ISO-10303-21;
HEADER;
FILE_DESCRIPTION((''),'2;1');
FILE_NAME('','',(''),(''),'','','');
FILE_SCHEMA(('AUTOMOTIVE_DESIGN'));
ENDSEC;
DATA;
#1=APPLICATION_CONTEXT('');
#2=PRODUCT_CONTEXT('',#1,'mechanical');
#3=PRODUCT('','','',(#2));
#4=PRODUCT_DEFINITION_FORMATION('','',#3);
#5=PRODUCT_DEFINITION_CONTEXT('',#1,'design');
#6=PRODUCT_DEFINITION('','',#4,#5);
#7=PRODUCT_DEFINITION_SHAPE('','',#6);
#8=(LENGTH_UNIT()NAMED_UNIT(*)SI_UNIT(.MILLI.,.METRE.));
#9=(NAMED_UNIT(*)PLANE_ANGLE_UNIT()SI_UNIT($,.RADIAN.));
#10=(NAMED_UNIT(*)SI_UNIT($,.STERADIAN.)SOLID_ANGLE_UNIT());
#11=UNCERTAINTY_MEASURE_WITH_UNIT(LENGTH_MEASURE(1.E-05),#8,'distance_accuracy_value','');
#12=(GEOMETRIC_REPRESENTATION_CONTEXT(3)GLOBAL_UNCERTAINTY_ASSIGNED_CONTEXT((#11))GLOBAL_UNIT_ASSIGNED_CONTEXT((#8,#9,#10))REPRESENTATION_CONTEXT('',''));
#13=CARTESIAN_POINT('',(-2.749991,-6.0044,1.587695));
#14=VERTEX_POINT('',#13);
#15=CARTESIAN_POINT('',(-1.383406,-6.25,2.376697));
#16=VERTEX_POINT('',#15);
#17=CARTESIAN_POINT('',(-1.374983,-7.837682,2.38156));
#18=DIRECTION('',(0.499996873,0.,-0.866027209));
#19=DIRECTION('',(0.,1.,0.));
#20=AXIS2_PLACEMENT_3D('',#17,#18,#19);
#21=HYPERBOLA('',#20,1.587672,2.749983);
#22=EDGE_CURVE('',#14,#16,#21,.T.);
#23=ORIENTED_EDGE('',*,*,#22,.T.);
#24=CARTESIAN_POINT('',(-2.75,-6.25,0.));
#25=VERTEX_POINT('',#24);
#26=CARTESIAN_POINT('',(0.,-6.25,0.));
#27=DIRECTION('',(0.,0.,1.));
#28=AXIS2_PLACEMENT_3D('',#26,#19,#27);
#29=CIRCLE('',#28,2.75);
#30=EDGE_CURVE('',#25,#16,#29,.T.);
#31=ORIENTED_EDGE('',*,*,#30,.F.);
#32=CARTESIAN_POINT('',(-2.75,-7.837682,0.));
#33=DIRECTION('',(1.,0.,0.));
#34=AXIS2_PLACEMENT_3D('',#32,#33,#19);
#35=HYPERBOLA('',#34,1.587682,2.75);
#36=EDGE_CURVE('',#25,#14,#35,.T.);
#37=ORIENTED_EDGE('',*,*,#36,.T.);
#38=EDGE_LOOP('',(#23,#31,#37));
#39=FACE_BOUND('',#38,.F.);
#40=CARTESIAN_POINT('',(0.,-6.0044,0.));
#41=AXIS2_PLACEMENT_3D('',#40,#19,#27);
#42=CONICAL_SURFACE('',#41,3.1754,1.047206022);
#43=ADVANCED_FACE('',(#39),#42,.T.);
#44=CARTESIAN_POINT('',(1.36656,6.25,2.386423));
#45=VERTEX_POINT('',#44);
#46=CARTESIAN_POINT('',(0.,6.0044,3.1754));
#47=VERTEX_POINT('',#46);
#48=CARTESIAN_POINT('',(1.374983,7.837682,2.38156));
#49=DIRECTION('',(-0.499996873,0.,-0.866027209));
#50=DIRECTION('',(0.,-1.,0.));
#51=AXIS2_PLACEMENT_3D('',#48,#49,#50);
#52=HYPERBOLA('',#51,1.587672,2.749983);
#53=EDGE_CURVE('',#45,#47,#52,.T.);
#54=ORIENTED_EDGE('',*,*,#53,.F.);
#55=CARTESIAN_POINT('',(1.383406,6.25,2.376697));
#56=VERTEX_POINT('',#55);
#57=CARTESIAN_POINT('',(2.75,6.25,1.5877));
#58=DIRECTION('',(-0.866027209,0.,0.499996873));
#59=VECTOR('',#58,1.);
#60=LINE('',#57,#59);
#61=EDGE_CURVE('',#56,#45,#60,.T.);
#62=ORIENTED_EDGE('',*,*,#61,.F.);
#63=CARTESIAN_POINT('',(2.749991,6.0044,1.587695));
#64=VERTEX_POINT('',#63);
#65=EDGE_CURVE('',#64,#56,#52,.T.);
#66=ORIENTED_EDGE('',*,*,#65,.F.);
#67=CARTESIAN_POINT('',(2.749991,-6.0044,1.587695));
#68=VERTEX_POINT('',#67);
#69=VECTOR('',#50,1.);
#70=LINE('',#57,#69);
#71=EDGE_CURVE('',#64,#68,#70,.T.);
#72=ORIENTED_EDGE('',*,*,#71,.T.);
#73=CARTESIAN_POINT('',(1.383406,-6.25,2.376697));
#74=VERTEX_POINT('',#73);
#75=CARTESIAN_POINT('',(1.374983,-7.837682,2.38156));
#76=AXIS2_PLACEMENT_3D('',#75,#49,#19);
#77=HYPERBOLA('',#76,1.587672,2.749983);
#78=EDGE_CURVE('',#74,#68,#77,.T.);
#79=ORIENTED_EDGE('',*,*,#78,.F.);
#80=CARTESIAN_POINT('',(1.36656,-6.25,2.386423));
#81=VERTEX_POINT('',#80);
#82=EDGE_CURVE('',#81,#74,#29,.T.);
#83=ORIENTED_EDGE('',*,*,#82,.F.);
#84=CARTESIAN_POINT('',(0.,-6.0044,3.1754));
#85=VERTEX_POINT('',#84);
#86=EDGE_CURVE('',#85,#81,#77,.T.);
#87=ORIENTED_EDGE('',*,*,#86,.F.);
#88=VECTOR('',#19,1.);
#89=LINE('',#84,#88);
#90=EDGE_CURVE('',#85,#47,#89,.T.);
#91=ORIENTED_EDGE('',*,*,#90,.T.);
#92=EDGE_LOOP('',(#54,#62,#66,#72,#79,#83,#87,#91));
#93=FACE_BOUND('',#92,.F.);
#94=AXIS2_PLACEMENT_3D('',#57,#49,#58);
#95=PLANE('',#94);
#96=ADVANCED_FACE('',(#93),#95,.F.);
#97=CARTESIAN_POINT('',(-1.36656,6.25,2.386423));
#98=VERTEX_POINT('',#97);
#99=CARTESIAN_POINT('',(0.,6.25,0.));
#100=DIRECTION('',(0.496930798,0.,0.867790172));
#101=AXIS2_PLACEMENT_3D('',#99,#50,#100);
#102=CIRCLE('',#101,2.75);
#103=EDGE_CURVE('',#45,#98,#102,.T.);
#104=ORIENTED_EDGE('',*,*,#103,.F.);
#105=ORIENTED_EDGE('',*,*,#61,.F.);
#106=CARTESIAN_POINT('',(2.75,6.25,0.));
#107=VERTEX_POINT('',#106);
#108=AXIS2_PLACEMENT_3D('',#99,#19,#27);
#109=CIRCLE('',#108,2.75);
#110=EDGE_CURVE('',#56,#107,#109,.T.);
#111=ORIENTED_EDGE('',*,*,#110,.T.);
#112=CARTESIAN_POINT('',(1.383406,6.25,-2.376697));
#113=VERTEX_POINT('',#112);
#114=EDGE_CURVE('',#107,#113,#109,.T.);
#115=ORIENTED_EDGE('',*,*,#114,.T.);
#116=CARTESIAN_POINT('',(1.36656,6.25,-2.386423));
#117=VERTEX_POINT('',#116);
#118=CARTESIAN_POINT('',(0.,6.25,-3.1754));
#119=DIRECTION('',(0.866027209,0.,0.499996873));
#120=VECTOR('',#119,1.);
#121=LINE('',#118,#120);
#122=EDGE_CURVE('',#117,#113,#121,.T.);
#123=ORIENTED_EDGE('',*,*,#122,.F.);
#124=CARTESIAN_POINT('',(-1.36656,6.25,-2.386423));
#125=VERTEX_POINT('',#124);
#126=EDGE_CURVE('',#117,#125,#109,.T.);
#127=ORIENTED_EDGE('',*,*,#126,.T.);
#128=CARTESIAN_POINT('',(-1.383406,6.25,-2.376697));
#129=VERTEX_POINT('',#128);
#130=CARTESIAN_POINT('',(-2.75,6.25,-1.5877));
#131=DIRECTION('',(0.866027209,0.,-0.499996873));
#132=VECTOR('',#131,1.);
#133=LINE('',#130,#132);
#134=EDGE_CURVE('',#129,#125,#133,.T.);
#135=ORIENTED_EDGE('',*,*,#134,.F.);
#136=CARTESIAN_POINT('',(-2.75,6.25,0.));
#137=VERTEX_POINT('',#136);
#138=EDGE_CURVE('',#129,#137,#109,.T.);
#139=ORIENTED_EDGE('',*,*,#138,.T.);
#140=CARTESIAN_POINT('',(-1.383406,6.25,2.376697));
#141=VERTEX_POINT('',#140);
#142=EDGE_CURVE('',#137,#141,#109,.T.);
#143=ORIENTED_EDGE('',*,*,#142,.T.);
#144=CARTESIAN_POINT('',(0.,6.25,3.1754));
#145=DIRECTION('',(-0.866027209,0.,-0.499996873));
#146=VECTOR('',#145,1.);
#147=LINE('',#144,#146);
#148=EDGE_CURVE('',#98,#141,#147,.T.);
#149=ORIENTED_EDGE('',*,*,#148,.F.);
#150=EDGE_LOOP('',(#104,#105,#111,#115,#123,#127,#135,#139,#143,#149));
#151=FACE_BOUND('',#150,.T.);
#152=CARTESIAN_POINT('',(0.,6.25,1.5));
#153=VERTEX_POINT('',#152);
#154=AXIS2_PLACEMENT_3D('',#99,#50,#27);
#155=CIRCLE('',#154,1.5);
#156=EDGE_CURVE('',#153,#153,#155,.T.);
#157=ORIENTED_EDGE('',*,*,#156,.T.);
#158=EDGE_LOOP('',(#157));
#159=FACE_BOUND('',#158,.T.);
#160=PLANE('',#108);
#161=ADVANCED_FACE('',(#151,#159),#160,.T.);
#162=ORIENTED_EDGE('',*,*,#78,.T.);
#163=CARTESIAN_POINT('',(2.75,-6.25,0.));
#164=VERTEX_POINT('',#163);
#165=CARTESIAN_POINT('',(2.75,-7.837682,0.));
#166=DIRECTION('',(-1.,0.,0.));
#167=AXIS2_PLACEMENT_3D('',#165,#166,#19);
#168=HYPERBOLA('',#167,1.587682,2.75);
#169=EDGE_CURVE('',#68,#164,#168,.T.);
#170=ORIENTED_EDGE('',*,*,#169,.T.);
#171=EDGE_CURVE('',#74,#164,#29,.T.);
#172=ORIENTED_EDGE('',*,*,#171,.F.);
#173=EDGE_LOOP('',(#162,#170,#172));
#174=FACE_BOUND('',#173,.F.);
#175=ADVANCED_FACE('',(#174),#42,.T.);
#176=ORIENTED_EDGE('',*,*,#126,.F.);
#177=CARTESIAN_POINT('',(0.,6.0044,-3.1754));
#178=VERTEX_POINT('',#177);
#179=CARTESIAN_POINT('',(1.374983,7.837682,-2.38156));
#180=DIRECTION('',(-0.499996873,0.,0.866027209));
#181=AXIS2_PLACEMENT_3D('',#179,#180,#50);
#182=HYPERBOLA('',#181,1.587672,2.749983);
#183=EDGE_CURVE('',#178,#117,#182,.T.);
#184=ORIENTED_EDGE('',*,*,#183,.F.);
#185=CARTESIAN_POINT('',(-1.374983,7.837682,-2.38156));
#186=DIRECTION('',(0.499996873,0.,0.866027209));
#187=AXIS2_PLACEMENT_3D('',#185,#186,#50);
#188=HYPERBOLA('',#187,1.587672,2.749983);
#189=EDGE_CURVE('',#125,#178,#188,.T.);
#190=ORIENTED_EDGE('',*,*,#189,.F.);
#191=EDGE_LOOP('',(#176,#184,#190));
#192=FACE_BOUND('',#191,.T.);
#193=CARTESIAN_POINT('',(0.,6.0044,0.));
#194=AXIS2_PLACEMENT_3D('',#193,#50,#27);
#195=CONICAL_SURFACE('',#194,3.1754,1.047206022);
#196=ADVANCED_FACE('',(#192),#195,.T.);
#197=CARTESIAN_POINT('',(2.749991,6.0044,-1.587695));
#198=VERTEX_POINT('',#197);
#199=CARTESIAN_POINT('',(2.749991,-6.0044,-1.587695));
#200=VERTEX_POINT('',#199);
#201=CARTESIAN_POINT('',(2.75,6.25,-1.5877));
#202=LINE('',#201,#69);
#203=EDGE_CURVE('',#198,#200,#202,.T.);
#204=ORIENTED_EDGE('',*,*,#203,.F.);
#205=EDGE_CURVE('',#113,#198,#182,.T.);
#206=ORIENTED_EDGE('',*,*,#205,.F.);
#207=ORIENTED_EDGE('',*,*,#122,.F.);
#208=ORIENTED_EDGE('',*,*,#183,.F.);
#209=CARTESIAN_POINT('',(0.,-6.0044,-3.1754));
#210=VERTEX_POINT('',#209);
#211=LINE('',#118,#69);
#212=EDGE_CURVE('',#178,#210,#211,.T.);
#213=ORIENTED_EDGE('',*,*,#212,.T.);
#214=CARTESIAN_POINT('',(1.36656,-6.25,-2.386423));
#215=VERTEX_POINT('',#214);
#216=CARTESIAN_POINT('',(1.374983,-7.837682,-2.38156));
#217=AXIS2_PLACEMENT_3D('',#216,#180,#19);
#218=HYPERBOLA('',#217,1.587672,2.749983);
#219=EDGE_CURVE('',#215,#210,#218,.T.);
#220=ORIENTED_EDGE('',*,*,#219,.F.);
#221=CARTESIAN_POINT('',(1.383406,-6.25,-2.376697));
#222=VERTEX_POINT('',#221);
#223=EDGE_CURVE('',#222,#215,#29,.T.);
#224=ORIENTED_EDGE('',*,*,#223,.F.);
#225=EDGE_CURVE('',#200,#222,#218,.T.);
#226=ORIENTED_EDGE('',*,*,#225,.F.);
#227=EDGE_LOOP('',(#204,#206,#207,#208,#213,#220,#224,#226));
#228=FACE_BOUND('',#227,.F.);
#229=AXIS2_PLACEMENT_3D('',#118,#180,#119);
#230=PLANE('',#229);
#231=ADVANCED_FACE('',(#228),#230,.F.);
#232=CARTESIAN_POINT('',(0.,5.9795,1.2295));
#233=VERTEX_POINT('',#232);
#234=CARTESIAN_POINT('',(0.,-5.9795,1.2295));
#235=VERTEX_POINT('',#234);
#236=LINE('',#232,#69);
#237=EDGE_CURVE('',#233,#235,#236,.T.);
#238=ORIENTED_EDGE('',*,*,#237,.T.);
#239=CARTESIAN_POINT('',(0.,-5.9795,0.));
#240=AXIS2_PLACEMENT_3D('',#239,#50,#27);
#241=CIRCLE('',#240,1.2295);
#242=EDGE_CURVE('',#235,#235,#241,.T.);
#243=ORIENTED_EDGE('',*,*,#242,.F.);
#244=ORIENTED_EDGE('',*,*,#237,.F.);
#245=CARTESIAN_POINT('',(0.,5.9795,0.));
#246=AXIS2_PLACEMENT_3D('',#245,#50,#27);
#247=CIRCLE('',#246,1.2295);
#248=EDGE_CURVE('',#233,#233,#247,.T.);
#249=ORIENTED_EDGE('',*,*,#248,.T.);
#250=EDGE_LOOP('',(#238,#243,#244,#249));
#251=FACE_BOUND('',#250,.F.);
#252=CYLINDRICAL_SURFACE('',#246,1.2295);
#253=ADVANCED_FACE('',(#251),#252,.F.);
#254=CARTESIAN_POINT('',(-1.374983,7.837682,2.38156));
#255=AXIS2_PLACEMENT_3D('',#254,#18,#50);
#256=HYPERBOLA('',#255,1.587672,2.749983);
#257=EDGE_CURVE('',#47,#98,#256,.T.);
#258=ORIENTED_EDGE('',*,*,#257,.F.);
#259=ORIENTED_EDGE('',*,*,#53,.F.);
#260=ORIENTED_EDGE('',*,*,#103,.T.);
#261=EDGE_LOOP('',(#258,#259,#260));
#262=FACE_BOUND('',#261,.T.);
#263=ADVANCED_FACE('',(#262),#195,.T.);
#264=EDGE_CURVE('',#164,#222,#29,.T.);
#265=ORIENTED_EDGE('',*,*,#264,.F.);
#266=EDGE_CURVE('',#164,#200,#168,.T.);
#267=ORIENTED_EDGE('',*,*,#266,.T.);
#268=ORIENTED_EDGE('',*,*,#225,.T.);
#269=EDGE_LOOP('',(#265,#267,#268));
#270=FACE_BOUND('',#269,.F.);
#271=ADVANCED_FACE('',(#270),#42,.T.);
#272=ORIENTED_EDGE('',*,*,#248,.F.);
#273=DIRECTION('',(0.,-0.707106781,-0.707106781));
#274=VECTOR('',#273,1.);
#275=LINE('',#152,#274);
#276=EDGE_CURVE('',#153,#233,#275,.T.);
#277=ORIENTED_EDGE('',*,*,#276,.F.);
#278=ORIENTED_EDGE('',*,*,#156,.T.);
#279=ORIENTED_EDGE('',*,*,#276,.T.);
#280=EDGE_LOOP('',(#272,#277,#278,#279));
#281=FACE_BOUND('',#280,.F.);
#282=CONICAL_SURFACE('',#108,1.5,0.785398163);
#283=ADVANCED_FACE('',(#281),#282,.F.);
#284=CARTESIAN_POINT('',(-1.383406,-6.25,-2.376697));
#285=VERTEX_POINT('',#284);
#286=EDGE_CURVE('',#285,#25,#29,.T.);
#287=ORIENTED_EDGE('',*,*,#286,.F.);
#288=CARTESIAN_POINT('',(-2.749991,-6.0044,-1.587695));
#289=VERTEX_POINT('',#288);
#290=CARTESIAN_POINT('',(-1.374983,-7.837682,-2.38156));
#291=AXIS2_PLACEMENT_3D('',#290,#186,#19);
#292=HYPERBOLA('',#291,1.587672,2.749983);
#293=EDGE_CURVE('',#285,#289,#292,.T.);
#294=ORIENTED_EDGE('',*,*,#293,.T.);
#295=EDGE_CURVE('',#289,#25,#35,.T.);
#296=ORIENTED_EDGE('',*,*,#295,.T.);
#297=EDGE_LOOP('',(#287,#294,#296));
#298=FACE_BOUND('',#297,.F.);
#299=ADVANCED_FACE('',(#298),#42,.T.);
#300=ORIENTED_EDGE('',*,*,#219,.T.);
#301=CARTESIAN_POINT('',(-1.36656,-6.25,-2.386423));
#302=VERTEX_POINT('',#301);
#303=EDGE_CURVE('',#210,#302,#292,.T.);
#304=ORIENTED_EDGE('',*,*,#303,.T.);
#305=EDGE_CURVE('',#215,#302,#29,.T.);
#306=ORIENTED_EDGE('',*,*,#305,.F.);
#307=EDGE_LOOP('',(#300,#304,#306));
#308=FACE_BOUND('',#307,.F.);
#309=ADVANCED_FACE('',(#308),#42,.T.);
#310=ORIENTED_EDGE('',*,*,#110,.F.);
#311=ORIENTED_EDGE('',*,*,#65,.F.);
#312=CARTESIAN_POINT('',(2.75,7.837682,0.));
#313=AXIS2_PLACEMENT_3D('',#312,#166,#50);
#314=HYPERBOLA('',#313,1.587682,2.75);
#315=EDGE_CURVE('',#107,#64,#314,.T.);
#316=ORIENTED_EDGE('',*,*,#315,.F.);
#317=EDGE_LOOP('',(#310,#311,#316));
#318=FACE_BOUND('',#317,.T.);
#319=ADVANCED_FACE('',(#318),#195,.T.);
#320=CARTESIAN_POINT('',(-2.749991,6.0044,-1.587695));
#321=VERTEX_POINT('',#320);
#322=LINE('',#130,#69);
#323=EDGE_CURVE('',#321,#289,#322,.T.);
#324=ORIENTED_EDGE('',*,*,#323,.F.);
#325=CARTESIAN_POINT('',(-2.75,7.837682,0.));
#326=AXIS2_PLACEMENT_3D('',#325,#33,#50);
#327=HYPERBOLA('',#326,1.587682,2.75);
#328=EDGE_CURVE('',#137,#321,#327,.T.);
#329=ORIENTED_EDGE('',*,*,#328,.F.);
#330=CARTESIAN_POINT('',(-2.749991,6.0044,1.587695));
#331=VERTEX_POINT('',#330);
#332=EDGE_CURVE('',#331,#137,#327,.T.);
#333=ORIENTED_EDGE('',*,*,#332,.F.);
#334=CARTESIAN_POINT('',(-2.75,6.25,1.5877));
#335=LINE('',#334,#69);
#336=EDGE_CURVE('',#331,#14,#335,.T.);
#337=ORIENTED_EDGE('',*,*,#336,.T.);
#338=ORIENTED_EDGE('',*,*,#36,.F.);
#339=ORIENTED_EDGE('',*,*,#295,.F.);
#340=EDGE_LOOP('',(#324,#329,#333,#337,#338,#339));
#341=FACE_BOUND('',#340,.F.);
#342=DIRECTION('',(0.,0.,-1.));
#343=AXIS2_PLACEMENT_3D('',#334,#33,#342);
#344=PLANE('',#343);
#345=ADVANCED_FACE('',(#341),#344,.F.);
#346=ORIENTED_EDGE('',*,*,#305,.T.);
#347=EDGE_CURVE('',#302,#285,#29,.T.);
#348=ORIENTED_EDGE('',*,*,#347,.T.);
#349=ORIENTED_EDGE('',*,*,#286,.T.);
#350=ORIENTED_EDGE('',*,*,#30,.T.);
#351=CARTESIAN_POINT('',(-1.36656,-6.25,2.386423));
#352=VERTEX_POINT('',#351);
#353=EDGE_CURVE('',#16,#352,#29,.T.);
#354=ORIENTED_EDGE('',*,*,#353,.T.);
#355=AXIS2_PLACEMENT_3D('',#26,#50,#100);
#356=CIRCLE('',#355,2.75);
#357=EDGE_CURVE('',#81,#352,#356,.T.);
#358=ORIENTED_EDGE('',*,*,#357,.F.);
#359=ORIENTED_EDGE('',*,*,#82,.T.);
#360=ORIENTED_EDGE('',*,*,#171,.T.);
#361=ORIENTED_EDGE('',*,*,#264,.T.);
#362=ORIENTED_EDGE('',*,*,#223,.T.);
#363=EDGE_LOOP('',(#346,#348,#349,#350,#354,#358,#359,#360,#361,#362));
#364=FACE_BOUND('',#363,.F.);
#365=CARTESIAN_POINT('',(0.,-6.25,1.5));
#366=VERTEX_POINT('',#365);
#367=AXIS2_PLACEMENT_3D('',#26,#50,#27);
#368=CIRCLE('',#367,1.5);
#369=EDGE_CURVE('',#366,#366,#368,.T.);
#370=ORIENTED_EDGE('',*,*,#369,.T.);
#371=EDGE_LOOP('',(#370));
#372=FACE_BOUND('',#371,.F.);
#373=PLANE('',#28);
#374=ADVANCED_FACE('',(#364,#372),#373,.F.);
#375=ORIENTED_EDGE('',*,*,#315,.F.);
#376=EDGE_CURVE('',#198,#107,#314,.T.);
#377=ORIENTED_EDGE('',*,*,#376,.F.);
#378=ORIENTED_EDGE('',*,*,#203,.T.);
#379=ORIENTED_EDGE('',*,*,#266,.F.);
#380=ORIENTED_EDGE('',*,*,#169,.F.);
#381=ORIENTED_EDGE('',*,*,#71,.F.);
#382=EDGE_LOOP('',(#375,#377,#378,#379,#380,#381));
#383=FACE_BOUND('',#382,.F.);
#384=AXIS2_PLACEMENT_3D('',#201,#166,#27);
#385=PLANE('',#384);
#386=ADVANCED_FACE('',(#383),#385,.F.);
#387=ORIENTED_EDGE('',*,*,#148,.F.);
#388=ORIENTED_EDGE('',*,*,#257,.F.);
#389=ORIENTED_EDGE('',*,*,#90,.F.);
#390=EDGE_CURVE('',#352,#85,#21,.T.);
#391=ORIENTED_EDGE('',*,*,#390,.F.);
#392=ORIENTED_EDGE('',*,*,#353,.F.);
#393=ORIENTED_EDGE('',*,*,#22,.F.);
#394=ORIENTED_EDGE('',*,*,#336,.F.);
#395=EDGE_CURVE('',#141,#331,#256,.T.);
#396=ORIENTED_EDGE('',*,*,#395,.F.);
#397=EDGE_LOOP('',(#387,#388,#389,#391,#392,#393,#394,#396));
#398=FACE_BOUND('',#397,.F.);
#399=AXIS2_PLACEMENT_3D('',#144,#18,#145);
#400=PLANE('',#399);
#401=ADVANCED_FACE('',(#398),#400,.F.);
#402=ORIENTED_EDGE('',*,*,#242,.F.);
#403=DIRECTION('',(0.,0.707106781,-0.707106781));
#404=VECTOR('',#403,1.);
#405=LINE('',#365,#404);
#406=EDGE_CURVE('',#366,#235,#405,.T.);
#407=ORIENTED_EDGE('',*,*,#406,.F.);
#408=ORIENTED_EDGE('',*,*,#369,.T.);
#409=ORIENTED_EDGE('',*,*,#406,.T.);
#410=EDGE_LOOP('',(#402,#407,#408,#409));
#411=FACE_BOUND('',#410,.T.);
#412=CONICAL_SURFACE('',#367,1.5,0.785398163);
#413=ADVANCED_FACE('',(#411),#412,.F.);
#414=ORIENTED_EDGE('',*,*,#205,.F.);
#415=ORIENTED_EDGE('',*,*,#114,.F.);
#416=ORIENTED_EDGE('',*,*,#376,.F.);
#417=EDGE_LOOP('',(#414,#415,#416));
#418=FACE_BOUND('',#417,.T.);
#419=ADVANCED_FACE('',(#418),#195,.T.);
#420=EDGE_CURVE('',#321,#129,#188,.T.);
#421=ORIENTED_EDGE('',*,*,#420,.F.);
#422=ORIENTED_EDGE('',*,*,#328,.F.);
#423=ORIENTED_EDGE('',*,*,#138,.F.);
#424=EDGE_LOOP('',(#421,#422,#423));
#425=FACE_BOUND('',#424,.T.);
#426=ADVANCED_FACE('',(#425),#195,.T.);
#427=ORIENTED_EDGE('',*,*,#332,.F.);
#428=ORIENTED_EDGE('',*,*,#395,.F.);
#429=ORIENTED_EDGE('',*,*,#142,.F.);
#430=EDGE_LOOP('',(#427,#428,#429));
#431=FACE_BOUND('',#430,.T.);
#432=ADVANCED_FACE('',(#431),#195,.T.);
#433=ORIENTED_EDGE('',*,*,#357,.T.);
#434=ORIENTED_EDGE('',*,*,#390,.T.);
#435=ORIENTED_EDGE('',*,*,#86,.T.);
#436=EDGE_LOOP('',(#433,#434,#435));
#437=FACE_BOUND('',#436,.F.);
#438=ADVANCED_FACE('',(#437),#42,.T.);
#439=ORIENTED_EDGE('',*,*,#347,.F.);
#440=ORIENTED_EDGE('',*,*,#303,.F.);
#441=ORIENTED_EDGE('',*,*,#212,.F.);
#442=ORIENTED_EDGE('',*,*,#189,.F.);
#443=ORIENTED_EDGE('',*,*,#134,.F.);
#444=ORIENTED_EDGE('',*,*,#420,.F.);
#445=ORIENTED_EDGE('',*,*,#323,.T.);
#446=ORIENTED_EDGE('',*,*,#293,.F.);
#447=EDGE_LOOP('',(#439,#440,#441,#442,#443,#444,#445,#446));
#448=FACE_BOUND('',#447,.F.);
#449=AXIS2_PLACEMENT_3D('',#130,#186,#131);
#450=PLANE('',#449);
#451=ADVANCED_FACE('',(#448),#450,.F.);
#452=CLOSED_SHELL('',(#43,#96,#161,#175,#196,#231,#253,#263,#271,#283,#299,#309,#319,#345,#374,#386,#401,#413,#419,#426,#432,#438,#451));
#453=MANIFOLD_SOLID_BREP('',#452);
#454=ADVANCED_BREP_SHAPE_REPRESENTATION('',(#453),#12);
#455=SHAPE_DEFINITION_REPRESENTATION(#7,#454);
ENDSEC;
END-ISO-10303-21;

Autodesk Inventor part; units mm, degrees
ref_plane "YZ Plane" through (0, 0, 0) normal (1, 0, 0) x (0, 1, 0)
ref_plane "XZ Plane" through (0, 0, 0) normal (0, 1, 0) x (-1, 0, 0)
ref_plane "XY Plane" through (0, 0, 0) normal (0, 0, 1) x (1, 0, 0)
sketch "スケッチ1" plane through (0, 0, 0) normal (1, 0, 0) x (0, 1, 0)
  line L0 (-6.25, 0) -> (6.25, 0)
  line L1 (0, 0) -> (0, 3.1754) construction
  line L2 (-6.0044, 3.1754) -> (-6.25, 2.75)
  line L3 (-6.25, 2.75) -> (-6.25, 0)
  line L4 (-6.0044, 3.1754) -> (6.0044, 3.1754)
  line L5 (6.0044, 3.1754) -> (6.25, 2.75)
  line L6 (6.25, 2.75) -> (6.25, 0)
  dimension "d1" = 2.75
  dimension "d2" = 3.1754
  dimension "d3" = 30
  dimension "d4" = 12.5
revolve "回転1" add sketch "スケッチ1" angle 360 about axis through (0, -6.25, 0) along (0, 1, 0)
sketch "スケッチ2" plane through (0, 6.25, 0) normal (0, 1, 0) x (1, 0, 0)
  line L0 (0, -3.1754) -> (-2.75, -1.5877)
  line L1 (-2.75, -1.5877) -> (-2.75, 1.5877)
  line L2 (-2.75, 1.5877) -> (0, 3.1754)
  line L3 (0, 3.1754) -> (2.75, 1.5877)
  line L4 (2.75, 1.5877) -> (2.75, -1.5877)
  line L5 (2.75, -1.5877) -> (0, -3.1754)
  circle A0 centre (0, 0) radius 3.1754 projected
  point P0 (0, 0)
  point P1 (0, 0)
  point P2 (0, 0)
  point P3 (0, 0)
  point P4 (0, 3.1754)
  point P5 (0, 3.1754)
  point P6 (2.75, -1.5877)
  point P7 (2.75, -1.5877)
extrude "押し出し1" cut sketch "スケッチ2" against normal through all contours A0 L0 | L5 A0 | A0 L1 | L4 A0 | A0 L2 | L3 A0
hole "穴1" at (0, 6.25, 0) direction (0, -1, 0) diameter 2.459 end through all countersink diameter 3 countersink angle 90 thread size "M3x0.5" class "6H" standard "ISO Metric profile"
mirror "ミラー1" about plane through (0, 0, 0) normal (0, 1, 0) of "穴1"
equation "\"d2\" = 1.1547 * d1"
properties part number "AS-312.5B" material "アセタール樹脂、黒"
